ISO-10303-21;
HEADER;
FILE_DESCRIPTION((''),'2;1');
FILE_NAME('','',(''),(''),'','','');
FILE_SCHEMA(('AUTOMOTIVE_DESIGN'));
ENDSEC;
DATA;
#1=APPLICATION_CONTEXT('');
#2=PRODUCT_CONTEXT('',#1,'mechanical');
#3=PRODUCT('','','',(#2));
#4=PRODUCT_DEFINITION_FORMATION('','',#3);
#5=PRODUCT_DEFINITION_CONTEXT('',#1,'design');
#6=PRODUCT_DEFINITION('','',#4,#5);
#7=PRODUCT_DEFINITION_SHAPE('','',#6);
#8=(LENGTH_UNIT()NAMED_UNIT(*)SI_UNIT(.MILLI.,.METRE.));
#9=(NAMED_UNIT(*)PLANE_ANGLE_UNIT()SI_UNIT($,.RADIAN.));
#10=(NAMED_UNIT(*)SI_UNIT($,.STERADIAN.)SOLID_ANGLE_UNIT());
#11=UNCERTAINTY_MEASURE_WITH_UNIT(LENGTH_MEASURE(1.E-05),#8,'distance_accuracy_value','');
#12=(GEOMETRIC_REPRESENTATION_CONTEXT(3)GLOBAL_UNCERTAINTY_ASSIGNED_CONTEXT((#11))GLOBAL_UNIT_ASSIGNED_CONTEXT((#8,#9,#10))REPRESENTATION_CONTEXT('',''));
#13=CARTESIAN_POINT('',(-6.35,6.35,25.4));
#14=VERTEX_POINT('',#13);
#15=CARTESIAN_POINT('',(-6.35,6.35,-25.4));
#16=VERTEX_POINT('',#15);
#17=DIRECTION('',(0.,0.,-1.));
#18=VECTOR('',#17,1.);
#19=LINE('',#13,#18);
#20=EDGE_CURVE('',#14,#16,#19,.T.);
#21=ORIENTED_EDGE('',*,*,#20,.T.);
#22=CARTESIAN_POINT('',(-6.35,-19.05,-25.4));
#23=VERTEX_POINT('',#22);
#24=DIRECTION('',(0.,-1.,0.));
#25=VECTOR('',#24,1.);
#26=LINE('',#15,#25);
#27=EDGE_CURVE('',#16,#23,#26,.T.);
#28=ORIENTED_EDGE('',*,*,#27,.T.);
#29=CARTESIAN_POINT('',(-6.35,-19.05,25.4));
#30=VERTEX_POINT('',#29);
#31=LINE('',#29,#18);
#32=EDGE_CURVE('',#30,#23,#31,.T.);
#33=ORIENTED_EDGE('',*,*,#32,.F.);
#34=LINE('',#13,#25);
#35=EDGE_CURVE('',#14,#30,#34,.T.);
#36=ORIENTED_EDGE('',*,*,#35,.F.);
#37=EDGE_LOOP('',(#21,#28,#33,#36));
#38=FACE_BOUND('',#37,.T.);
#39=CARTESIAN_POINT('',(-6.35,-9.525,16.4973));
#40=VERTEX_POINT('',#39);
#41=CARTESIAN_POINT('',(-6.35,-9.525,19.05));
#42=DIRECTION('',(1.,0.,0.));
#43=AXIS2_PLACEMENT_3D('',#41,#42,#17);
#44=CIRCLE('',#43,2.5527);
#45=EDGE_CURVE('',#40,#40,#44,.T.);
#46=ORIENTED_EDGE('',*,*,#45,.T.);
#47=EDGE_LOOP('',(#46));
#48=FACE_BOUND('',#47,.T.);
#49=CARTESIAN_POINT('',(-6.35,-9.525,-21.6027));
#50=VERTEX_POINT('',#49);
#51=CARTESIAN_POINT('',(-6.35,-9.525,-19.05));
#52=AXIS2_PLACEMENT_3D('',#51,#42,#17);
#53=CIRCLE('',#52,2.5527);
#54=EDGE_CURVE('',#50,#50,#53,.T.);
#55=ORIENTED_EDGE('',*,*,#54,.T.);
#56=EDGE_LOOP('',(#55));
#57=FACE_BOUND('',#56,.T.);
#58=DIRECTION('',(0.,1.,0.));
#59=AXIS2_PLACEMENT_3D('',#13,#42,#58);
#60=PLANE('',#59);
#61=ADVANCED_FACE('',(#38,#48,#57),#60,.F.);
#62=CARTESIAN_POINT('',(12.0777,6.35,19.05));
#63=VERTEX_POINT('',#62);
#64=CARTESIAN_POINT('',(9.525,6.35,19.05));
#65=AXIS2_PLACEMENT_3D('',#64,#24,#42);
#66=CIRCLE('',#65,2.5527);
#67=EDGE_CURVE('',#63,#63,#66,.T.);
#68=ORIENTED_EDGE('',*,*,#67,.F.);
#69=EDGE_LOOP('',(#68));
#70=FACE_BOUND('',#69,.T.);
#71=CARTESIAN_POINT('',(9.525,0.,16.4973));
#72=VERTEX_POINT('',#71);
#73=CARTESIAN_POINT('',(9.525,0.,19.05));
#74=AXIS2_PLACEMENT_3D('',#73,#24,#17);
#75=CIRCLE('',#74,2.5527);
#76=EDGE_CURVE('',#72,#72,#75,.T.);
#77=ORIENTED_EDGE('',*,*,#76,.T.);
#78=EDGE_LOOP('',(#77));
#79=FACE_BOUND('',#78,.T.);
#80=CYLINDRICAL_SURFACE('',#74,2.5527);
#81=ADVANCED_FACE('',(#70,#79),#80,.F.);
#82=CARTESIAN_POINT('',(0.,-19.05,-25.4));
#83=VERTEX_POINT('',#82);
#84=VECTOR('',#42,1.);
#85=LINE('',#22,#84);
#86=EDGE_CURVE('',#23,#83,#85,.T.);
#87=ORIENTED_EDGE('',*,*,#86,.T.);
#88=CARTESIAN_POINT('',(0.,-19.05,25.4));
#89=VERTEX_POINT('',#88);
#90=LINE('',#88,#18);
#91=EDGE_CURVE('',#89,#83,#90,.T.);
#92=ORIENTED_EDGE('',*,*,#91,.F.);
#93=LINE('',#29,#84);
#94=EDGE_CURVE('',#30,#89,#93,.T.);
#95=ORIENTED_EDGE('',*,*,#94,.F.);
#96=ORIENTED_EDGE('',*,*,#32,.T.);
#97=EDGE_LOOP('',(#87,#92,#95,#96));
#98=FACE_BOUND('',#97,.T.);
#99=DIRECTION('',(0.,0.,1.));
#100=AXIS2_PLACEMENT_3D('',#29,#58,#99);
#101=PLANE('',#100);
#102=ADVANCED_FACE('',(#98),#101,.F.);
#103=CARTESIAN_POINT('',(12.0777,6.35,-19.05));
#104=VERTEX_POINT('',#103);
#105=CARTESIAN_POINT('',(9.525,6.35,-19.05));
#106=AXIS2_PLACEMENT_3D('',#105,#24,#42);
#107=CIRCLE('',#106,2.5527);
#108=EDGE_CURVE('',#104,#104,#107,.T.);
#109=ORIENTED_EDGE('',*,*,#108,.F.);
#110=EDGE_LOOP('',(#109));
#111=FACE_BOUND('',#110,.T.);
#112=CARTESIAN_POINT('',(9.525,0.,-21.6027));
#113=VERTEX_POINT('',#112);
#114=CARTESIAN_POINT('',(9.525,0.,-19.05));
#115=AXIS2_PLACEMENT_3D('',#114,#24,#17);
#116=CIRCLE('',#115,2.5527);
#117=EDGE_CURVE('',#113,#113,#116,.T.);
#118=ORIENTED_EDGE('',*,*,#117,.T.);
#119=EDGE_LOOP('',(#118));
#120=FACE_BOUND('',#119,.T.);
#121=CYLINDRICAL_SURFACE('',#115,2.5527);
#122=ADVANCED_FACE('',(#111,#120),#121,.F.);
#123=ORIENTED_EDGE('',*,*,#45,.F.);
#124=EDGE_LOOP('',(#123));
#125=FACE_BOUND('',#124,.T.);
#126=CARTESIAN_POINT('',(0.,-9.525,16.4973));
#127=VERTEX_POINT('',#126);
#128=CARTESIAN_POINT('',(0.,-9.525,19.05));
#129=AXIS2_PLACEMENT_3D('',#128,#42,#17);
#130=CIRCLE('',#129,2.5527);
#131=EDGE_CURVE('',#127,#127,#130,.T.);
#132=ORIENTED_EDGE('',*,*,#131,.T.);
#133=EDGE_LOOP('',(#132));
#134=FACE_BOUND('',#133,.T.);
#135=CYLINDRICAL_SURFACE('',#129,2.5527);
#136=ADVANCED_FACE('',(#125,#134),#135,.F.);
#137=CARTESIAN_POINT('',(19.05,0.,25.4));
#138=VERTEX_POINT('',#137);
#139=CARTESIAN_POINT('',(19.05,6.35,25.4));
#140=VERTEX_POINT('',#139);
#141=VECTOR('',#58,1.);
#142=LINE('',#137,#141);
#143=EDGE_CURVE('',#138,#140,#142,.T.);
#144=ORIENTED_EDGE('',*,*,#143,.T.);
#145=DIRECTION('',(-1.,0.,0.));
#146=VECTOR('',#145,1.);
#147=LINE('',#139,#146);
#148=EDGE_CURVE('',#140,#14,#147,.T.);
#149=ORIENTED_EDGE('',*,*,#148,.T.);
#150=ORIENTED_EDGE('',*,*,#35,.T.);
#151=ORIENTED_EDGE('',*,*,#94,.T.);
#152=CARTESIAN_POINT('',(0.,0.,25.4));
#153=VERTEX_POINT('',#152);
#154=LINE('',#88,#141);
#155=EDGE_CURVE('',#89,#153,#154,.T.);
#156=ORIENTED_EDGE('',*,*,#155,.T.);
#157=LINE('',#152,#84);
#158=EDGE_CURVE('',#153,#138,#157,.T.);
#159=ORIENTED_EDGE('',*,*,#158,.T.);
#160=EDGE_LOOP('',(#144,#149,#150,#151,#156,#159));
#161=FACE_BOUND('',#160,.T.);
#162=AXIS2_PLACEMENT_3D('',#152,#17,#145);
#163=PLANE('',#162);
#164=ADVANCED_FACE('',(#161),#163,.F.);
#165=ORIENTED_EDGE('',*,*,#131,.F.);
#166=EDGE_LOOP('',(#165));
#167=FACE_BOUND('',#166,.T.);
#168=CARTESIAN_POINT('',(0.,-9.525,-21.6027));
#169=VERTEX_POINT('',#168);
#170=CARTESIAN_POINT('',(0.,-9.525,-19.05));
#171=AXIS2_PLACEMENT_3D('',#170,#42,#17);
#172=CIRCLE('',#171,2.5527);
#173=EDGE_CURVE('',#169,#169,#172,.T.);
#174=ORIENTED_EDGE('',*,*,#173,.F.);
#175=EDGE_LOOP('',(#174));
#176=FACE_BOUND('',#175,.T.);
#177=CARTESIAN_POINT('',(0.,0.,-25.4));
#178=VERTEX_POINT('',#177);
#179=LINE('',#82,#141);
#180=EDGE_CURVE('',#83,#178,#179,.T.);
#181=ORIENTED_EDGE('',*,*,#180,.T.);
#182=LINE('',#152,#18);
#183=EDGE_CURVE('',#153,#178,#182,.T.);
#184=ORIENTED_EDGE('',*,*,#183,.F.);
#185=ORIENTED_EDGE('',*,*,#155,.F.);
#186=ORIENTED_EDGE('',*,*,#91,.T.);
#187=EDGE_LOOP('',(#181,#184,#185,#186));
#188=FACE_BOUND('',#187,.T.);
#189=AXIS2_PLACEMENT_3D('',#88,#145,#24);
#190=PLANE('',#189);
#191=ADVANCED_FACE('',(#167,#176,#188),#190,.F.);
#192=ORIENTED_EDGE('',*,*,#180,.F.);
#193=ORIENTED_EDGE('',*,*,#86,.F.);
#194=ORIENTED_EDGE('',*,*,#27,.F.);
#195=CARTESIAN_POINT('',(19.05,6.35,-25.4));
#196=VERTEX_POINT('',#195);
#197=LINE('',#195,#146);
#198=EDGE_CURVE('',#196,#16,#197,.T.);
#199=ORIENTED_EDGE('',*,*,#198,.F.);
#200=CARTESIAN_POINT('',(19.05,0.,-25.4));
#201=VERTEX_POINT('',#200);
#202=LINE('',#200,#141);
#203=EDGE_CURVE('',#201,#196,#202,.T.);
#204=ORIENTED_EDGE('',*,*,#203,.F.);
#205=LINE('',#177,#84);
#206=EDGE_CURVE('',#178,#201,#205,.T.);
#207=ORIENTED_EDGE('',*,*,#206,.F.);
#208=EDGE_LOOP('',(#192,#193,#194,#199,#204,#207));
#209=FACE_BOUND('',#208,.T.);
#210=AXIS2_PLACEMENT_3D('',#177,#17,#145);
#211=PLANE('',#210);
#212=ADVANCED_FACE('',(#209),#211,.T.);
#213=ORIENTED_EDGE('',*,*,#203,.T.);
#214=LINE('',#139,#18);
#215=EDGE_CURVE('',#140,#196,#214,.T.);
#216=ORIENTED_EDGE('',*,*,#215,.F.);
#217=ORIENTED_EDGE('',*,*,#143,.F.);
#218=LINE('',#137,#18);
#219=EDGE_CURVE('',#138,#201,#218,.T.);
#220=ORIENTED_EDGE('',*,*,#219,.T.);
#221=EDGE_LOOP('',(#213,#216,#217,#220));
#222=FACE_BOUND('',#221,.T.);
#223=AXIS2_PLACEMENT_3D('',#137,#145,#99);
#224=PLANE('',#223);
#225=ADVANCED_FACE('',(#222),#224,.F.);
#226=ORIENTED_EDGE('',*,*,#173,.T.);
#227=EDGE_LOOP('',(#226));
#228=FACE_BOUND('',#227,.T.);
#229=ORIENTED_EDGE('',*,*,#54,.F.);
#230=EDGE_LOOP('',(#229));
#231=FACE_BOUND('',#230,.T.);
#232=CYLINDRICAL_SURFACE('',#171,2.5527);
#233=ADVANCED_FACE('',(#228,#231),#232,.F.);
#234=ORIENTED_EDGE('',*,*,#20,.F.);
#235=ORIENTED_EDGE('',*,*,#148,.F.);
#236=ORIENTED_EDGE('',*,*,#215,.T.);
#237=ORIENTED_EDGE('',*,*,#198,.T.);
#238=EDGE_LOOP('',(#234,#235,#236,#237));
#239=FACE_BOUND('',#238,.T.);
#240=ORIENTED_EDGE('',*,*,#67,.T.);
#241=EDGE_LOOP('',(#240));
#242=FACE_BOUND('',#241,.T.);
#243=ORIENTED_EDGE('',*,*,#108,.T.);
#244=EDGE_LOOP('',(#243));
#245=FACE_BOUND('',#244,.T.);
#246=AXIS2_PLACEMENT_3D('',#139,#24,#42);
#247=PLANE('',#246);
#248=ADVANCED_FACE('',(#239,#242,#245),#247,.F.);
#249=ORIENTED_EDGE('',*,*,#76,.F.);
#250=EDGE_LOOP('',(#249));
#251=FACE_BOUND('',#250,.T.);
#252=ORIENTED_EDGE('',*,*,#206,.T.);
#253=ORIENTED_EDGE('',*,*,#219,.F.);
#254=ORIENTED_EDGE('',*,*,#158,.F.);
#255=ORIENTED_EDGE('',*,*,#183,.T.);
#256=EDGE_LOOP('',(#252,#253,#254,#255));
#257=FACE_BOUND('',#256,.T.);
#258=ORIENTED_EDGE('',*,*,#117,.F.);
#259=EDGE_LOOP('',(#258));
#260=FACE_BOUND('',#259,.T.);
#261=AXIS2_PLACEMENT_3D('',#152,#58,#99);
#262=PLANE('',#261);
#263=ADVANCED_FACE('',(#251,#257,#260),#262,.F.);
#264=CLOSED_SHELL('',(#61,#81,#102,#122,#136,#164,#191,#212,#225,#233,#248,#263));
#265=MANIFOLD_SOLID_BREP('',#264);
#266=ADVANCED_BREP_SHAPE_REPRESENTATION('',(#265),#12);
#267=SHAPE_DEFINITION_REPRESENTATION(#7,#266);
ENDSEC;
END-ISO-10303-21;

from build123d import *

# Parameters (mm, degrees)
BOSS_EXTRUDE1_DEPTH        = 25.4
F_10_CLEARANCE_HOLE1_D     = 5.1054
F_10_CLEARANCE_HOLE2_D     = 5.1054
F_10_CLEARANCE_HOLE2_DEPTH = 6.35
F_10_CLEARANCE_HOLE2_TIP   = 1.533816902


with BuildPart() as part:
    # Sketch1 → Boss-Extrude1 (new, symmetric)
    with BuildSketch(Plane.XY):
        Polygon((0, 0), (19.05, 0), (19.05, 6.35), (-6.35, 6.35), (-6.35, -19.05), (0, -19.05), align=None)
    extrude(amount=BOSS_EXTRUDE1_DEPTH, both=True)

    # #10 Clearance Hole1 (through all)
    with Locations(Plane(origin=(0, 0, 0), x_dir=(-1, 0, 0), z_dir=(0, -1, 0))):
        with Locations((-9.525, -19.05), (-9.525, 19.05)):
            Hole(F_10_CLEARANCE_HOLE1_D / 2)

    # #10 Clearance Hole2
    with Locations(Plane(origin=(0, 0, 0), x_dir=(0, 0, -1), z_dir=(1, 0, 0))):
        with Locations((19.05, -9.525), (-19.05, -9.525)):
            Hole(F_10_CLEARANCE_HOLE2_D / 2, depth=F_10_CLEARANCE_HOLE2_DEPTH)
            with Locations((0, 0, -(F_10_CLEARANCE_HOLE2_DEPTH + F_10_CLEARANCE_HOLE2_TIP / 2))):  # 118° drill point
                Cone(0, F_10_CLEARANCE_HOLE2_D / 2, F_10_CLEARANCE_HOLE2_TIP, mode=Mode.SUBTRACT)


solid = part.part
